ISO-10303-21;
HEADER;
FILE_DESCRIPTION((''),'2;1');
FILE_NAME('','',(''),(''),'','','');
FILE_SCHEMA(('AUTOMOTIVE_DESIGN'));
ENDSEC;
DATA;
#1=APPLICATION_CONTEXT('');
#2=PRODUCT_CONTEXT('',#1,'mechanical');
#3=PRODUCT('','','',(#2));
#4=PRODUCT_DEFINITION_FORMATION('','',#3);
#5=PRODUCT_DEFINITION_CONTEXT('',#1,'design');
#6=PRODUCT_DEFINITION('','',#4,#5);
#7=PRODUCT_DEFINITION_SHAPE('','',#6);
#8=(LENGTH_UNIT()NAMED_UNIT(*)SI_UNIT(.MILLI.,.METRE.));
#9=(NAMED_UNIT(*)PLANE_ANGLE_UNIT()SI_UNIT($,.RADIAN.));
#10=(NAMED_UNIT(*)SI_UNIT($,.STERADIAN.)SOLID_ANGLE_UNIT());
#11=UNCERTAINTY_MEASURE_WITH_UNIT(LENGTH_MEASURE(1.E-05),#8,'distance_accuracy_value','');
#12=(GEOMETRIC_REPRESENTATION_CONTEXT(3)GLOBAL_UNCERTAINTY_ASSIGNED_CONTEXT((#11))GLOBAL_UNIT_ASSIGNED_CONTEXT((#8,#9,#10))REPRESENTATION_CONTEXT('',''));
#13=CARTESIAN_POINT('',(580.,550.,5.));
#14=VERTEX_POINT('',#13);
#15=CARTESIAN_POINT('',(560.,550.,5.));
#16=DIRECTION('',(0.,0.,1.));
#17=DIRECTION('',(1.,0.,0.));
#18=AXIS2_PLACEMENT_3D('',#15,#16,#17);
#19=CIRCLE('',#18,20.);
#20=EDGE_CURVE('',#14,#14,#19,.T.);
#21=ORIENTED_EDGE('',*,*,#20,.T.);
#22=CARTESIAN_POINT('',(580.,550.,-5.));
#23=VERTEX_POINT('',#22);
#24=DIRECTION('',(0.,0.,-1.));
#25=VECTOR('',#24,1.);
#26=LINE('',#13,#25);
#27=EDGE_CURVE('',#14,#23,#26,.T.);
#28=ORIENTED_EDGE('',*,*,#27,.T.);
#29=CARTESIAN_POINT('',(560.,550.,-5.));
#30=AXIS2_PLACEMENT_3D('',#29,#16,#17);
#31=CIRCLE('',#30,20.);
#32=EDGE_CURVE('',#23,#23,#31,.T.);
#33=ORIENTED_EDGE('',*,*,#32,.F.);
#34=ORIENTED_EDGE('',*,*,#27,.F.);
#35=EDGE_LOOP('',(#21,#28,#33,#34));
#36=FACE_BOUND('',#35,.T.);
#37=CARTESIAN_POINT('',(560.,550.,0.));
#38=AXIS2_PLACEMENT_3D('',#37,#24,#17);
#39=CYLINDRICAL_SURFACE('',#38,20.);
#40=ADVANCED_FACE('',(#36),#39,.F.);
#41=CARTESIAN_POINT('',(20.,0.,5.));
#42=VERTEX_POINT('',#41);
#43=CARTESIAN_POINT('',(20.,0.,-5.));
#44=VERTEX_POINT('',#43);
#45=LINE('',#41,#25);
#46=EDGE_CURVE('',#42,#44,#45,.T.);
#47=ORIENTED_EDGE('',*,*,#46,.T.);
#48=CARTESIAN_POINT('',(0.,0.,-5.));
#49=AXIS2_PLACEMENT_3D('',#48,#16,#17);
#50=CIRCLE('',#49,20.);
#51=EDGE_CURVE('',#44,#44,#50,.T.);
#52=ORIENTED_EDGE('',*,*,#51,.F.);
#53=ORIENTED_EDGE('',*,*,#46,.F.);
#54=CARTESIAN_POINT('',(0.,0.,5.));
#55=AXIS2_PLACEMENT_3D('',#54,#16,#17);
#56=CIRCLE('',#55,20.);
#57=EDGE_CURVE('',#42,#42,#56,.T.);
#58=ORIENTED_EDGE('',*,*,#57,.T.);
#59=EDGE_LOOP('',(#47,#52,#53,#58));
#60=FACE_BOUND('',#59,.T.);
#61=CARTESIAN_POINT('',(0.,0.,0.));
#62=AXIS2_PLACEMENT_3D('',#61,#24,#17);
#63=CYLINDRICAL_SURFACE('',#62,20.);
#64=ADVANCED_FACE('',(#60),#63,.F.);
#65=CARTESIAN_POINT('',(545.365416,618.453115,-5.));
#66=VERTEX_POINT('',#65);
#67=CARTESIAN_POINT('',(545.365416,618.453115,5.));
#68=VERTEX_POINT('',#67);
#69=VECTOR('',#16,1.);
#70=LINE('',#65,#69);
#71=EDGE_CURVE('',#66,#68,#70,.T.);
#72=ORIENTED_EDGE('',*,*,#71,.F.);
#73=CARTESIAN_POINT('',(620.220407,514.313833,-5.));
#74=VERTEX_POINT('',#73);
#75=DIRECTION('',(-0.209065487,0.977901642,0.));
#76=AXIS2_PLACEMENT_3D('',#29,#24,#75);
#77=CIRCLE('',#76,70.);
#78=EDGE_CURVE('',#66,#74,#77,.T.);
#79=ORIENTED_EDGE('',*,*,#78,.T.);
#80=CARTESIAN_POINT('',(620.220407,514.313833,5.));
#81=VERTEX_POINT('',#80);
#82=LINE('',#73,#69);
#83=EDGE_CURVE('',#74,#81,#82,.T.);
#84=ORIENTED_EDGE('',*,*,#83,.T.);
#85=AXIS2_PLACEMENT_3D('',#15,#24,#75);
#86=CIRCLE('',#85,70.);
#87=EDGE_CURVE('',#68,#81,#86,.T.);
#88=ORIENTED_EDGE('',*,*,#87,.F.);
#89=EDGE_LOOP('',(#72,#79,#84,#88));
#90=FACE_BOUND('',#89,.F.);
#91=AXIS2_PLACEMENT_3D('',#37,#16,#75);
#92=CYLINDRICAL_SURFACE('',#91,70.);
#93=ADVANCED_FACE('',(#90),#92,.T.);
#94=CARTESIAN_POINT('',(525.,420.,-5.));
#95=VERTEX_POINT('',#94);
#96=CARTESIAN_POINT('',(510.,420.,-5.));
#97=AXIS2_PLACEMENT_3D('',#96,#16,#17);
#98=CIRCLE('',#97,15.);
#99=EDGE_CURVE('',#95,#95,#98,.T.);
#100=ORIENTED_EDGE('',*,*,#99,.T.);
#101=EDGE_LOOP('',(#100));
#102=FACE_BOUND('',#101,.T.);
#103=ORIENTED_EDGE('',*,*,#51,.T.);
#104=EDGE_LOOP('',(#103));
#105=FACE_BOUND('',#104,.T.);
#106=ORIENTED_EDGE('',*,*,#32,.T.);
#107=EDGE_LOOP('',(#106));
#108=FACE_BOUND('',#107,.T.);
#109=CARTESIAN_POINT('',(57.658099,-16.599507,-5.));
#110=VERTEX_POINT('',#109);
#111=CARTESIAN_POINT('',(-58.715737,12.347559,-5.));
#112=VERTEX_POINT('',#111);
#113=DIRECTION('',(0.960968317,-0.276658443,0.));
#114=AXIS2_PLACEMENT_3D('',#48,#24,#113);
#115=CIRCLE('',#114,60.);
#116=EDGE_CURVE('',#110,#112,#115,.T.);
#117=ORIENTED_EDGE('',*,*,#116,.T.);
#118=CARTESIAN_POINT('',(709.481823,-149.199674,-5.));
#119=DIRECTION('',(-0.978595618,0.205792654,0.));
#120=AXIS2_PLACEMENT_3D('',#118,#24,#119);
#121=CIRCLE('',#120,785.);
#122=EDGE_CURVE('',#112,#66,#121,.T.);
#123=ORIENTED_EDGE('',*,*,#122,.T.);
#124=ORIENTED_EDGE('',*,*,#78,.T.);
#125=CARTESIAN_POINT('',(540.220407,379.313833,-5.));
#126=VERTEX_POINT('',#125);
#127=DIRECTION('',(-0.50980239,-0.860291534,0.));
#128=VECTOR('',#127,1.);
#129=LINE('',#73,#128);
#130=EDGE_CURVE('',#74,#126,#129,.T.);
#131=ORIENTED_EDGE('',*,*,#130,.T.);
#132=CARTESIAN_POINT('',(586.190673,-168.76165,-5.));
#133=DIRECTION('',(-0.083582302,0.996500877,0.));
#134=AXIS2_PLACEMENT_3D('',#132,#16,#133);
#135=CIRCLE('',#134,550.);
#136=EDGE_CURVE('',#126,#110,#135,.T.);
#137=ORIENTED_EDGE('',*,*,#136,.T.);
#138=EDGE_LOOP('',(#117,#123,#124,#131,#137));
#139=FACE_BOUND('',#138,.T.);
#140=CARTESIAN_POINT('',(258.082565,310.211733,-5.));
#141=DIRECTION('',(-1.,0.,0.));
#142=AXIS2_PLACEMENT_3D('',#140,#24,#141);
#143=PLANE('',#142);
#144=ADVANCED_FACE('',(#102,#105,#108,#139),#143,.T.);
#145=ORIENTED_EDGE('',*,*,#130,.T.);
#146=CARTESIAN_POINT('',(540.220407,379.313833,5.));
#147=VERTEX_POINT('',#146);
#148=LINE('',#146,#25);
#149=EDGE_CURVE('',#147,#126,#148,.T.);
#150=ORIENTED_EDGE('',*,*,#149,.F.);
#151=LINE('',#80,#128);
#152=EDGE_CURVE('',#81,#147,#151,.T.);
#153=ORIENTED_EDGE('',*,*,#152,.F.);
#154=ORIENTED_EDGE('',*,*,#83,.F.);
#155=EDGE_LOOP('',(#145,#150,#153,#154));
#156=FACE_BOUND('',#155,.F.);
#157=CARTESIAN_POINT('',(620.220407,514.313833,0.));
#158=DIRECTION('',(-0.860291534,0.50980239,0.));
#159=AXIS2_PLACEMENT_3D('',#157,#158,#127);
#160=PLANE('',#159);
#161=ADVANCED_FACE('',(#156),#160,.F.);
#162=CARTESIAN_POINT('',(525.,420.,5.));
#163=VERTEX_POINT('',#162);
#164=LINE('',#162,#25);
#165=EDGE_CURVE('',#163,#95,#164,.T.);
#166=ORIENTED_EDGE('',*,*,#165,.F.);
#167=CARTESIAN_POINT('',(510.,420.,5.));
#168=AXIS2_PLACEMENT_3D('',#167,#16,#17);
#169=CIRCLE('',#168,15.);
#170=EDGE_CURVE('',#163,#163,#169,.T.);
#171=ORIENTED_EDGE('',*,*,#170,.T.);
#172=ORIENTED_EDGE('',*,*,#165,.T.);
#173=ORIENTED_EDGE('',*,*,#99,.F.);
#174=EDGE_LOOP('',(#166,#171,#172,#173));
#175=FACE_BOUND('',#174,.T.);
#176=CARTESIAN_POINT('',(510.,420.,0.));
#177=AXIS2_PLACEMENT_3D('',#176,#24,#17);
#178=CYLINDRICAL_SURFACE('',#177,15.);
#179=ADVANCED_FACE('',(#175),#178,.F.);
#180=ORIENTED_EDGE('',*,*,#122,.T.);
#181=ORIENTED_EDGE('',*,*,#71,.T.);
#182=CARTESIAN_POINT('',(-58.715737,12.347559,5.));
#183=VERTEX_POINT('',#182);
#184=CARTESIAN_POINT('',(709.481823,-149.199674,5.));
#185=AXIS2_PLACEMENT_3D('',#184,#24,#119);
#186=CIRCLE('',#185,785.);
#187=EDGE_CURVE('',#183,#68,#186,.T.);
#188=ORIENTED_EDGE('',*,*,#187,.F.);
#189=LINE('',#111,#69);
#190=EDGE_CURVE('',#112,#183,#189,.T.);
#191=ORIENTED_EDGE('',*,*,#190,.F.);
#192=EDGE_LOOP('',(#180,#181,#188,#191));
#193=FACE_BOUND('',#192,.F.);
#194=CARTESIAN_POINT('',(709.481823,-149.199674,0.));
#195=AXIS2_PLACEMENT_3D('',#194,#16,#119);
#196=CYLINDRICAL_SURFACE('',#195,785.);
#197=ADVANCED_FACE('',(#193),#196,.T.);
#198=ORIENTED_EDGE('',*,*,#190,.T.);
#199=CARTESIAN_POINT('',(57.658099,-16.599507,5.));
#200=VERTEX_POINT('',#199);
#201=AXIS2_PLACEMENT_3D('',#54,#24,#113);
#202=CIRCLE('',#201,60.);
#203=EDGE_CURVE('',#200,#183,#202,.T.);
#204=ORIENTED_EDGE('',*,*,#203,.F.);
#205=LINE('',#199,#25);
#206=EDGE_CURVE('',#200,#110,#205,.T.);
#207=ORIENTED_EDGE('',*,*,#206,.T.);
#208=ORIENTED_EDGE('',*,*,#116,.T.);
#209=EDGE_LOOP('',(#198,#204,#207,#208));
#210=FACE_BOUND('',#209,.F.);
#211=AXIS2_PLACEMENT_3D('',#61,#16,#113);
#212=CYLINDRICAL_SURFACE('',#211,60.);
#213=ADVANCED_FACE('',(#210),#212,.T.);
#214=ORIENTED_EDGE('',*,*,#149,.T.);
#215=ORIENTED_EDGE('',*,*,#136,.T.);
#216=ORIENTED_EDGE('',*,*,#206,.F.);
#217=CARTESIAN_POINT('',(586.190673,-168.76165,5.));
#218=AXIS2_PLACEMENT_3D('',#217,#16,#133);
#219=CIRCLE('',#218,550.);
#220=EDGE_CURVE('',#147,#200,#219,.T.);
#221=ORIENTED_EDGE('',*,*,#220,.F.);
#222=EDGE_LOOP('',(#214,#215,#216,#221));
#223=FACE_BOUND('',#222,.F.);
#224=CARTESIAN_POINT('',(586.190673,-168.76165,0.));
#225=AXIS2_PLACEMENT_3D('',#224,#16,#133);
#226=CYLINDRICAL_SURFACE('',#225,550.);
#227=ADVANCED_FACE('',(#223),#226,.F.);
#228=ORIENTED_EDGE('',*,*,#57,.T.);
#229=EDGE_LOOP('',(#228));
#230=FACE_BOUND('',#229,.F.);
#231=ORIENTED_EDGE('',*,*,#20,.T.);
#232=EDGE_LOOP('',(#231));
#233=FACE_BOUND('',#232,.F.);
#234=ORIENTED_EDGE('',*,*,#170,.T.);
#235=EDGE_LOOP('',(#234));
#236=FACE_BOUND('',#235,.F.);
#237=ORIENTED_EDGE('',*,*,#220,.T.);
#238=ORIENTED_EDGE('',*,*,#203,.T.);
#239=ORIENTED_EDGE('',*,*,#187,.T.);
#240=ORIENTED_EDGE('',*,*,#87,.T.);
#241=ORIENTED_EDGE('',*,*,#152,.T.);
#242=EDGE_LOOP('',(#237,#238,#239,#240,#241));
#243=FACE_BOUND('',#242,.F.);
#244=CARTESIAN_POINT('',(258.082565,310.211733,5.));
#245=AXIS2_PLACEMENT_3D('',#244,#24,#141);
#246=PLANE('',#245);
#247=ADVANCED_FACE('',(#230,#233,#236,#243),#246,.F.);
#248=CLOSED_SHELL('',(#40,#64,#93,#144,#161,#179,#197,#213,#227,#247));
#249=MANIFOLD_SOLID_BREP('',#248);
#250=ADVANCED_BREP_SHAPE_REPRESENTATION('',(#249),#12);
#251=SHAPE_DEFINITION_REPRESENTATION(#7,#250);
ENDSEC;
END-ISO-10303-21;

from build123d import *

# Parameters (mm, degrees)
SKETCH2_R           = 20
SKETCH2_R_2         = 15
BOSS_EXTRUDE1_DEPTH = 5


with BuildPart() as part:
    # Sketch2 → Boss-Extrude1 (new body, symmetric)
    with BuildSketch(Plane.XY):
        with BuildLine():
            Line((620.220407354, 514.313832679), (540.220407354, 379.313832679))
            ThreePointArc((540.220407354, 379.313832679), (237.335085129, 256.443922197), (57.658099017, -16.599506551))
            ThreePointArc((57.658099017, -16.599506551), (-14.483190404, -58.225743411), (-58.715737076, 12.347559255))
            ThreePointArc((-58.715737076, 12.347559255), (153.475240755, 404.94983662), (545.365415929, 618.45311497))
            ThreePointArc((545.365415929, 618.45311497), (616.839813073, 590.856280421), (620.220407354, 514.313832679))
        make_face()
        Circle(SKETCH2_R, mode=Mode.SUBTRACT)
        with Locations((560, 550)):
            Circle(SKETCH2_R, mode=Mode.SUBTRACT)
        with Locations((510, 420)):
            Circle(SKETCH2_R_2, mode=Mode.SUBTRACT)
    extrude(amount=BOSS_EXTRUDE1_DEPTH, both=True)


solid = part.part
